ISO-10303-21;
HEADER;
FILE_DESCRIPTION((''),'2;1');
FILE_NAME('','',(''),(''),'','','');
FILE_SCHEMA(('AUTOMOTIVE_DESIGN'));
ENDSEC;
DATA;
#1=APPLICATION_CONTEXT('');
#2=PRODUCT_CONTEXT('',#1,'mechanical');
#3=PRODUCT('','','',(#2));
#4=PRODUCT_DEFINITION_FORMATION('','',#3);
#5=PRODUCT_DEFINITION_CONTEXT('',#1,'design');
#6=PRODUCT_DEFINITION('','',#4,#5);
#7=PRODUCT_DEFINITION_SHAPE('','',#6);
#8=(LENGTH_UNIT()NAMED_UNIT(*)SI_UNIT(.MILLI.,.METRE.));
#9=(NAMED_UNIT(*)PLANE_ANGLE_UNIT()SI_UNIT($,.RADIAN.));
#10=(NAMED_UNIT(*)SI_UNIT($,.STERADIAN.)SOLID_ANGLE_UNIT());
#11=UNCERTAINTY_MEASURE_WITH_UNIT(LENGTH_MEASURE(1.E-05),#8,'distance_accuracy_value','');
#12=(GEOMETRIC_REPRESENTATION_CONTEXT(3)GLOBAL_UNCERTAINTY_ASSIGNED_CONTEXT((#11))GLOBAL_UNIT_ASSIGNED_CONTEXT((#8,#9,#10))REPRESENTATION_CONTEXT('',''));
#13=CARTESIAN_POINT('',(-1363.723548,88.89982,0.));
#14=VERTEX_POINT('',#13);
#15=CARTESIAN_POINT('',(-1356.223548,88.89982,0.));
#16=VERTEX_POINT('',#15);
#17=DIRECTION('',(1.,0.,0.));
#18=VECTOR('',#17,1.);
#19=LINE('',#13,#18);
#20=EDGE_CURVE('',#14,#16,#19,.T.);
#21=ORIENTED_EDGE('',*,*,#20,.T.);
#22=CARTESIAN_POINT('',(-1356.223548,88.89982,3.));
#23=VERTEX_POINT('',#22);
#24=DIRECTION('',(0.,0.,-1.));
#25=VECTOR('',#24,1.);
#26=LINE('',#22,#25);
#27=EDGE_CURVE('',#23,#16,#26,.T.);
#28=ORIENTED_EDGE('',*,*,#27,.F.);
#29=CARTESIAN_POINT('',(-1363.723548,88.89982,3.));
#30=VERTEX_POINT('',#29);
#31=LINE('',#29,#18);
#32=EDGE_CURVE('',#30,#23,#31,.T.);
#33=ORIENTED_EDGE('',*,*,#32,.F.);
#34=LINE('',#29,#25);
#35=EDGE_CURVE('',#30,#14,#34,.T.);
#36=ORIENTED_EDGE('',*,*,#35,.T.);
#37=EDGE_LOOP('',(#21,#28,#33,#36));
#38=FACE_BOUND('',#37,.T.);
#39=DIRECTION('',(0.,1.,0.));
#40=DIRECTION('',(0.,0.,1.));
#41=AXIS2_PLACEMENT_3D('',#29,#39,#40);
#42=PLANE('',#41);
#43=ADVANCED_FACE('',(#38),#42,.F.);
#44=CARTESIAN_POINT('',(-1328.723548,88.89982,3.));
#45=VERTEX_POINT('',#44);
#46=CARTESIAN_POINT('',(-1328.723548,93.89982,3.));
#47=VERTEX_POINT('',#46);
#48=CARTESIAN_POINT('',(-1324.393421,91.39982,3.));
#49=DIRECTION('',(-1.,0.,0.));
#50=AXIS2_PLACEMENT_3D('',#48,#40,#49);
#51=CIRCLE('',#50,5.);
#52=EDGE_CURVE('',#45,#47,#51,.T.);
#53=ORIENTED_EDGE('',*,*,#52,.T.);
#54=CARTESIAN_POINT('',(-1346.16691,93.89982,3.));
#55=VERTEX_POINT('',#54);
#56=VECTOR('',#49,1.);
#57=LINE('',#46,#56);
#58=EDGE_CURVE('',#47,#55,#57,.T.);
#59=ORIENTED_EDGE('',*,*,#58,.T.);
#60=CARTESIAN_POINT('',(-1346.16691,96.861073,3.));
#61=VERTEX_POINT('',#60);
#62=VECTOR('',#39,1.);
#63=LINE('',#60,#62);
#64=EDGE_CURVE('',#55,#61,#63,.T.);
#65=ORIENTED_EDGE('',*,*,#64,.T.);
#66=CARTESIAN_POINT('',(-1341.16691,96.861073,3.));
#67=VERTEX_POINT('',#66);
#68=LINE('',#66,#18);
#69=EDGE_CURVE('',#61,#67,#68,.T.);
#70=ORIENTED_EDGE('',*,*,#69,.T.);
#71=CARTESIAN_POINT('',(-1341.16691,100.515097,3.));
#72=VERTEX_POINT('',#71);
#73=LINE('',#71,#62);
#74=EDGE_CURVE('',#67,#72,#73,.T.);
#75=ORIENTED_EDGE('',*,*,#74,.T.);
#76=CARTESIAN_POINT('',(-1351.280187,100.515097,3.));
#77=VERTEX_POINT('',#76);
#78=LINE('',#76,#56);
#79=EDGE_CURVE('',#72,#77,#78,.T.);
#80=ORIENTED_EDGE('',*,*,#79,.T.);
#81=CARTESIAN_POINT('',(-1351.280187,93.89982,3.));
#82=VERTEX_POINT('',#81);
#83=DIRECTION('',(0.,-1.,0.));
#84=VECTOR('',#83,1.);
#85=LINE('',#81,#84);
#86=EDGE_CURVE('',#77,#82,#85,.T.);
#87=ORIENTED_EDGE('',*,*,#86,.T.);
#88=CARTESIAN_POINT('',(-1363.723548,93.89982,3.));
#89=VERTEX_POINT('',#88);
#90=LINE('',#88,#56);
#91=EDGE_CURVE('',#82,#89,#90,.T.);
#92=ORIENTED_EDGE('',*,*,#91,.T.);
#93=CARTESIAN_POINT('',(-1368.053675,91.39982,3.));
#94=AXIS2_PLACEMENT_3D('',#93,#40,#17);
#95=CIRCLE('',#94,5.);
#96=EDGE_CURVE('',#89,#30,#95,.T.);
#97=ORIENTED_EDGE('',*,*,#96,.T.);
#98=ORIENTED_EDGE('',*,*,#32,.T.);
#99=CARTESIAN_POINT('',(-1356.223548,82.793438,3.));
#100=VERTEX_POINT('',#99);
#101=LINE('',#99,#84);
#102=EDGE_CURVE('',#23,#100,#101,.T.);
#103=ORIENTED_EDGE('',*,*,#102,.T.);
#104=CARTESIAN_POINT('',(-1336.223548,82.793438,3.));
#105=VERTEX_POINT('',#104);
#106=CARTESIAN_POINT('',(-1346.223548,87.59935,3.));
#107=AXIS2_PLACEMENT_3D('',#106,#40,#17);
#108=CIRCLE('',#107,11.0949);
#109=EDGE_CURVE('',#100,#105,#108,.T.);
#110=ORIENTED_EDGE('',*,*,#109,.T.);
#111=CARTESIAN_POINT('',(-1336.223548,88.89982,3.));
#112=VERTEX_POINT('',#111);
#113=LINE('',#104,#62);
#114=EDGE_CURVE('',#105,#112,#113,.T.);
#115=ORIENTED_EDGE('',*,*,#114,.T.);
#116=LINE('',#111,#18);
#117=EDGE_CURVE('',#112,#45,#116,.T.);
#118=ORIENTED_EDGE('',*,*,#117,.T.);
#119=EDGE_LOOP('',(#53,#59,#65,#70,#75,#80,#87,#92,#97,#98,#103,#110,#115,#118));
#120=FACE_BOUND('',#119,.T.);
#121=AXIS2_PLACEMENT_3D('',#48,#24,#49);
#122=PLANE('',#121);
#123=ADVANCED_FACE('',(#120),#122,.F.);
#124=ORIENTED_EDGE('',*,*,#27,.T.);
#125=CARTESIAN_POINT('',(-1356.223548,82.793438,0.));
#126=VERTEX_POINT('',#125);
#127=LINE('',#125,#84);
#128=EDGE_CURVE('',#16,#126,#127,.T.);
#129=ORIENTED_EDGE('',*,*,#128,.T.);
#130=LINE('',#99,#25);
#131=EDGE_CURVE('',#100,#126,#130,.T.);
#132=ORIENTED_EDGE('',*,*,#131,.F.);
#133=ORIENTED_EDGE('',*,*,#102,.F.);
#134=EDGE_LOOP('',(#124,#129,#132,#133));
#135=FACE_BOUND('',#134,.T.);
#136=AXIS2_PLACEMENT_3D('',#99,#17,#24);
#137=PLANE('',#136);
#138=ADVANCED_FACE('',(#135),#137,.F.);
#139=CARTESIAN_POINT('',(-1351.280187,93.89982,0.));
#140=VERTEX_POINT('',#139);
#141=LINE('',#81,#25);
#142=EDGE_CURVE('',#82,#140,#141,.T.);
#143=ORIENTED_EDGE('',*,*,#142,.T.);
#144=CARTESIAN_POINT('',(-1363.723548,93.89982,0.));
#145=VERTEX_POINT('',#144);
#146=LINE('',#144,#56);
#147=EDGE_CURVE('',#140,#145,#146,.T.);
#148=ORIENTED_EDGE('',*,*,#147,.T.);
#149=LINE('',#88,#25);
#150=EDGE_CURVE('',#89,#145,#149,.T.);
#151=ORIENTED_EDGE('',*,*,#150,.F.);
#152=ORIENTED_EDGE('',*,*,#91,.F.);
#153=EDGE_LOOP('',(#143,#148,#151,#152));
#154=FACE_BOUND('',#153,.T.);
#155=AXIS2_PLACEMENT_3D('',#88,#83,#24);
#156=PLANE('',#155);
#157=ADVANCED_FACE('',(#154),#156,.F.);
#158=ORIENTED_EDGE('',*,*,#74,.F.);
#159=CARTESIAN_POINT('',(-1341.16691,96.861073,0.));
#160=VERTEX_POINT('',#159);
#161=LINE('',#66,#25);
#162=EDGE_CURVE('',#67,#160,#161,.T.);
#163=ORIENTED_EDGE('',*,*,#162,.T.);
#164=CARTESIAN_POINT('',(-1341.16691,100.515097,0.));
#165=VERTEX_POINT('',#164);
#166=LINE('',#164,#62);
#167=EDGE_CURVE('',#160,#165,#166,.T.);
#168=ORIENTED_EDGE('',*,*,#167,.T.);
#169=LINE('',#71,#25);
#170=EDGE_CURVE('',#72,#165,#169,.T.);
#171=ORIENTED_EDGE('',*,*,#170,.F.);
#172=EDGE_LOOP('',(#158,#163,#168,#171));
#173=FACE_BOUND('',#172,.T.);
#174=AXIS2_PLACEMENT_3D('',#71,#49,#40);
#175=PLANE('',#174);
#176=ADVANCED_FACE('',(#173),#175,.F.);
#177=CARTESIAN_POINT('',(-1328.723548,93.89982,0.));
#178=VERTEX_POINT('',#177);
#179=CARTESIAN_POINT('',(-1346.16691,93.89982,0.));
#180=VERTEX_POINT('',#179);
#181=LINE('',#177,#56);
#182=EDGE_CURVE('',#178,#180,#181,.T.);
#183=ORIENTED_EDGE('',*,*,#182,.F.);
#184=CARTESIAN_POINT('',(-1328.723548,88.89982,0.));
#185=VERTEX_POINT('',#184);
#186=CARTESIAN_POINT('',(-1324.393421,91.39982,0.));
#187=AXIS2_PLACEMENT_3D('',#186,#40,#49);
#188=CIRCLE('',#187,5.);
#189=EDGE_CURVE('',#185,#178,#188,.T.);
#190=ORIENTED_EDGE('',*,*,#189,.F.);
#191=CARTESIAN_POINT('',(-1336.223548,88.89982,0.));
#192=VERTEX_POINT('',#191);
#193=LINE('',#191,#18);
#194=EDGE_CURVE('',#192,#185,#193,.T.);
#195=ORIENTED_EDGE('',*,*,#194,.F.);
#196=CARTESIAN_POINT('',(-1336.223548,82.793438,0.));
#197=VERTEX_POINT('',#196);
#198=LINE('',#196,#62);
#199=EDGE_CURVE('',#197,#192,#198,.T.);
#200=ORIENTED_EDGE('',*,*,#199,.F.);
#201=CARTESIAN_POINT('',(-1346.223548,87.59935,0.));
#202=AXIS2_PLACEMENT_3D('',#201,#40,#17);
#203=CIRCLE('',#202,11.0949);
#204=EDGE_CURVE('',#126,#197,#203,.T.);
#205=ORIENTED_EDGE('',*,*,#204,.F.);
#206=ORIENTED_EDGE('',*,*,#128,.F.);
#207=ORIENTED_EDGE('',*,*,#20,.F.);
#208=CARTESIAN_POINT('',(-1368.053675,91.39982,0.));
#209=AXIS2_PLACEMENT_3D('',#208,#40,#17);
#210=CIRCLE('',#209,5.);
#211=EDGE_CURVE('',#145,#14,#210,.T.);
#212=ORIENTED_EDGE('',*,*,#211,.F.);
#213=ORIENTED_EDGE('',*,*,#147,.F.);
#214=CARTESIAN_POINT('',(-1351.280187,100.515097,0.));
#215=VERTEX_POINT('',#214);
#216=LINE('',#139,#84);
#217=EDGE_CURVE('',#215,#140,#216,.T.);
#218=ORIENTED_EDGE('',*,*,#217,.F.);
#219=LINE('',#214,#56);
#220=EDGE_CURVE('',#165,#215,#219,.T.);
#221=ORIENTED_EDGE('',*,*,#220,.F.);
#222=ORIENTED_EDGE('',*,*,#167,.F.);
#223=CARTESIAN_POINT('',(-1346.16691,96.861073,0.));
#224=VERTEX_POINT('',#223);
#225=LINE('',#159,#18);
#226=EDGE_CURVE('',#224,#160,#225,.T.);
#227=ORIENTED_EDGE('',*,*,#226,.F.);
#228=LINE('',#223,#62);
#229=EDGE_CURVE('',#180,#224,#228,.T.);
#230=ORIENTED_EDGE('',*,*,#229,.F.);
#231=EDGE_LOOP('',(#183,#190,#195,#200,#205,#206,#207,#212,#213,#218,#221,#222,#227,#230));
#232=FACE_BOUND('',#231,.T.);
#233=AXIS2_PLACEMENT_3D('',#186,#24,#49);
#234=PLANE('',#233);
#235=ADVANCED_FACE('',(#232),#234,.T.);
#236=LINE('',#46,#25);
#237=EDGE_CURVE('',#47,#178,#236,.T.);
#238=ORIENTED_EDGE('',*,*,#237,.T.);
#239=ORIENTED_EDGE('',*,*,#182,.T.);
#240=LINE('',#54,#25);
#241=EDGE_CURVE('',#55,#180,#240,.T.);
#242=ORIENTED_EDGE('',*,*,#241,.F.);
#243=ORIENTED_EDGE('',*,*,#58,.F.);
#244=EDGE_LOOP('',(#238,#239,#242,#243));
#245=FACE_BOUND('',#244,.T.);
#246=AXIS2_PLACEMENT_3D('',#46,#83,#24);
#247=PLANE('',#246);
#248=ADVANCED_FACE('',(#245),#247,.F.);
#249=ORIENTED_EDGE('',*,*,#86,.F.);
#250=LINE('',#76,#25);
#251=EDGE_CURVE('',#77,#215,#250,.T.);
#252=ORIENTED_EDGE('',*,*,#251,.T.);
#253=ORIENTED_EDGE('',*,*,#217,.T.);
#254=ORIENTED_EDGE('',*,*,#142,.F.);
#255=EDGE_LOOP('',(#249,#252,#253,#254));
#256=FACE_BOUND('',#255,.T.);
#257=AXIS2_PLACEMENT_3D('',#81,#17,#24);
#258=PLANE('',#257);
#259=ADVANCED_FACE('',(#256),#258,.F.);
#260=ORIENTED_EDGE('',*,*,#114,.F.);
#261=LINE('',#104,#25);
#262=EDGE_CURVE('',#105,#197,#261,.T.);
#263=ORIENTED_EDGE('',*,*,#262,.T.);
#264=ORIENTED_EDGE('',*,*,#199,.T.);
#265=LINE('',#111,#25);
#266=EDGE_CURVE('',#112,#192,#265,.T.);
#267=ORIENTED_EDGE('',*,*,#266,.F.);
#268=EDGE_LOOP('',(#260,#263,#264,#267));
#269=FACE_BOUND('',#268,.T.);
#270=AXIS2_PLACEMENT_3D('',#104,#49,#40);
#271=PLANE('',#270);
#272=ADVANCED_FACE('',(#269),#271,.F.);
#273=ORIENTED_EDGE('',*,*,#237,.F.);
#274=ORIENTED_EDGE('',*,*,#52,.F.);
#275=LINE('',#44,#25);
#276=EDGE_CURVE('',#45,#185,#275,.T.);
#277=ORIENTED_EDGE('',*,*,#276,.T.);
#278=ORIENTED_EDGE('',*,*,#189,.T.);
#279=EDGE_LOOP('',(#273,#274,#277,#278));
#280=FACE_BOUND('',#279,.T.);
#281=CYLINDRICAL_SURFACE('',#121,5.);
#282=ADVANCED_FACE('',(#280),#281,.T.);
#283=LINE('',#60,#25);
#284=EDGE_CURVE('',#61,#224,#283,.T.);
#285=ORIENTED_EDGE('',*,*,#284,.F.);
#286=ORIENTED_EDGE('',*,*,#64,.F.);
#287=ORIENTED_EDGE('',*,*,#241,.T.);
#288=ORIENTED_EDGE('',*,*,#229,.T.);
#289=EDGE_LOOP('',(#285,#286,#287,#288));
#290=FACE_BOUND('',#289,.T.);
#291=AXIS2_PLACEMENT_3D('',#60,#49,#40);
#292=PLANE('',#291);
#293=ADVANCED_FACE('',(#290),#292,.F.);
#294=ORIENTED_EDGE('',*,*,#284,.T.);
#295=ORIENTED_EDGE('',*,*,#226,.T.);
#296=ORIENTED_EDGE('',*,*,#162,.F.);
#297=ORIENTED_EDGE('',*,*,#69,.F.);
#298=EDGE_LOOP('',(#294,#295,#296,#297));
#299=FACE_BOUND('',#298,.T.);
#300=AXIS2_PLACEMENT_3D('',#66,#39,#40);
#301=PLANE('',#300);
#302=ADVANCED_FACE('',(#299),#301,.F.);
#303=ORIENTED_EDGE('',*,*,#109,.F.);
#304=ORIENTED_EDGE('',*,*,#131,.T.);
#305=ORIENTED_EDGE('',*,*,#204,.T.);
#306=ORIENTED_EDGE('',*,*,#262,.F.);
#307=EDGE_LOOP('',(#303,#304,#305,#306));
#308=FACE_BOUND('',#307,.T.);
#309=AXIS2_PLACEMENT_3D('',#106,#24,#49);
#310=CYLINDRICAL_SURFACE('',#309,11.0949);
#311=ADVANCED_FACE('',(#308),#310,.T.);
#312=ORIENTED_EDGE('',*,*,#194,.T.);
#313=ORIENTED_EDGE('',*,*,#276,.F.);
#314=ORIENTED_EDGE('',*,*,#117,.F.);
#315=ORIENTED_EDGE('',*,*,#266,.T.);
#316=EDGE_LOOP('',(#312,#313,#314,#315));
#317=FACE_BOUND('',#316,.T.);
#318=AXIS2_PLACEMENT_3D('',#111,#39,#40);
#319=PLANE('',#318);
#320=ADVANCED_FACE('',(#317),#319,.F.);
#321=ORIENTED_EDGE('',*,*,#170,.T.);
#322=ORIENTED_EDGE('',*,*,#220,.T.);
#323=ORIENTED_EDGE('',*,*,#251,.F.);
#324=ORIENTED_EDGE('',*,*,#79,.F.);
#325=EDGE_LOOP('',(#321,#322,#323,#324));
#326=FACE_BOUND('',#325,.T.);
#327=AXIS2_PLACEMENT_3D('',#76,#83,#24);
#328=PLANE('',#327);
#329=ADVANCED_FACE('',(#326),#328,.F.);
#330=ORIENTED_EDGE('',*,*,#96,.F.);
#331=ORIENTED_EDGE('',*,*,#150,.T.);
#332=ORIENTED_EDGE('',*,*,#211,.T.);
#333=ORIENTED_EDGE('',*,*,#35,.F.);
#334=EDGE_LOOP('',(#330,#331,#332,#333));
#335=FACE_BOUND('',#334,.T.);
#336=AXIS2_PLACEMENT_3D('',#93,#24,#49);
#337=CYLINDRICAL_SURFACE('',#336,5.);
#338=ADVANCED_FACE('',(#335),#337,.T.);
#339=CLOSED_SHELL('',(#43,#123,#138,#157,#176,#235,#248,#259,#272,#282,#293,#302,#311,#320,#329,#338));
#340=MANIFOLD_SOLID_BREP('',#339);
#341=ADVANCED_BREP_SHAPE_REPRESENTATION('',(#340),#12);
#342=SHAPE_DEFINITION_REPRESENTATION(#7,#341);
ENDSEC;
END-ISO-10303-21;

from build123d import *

# Parameters (mm, degrees)
BASE_EXTRUDE_DEPTH = 3


with BuildPart() as part:
    # Sketch1 → Base-Extrude (new body)
    with BuildSketch(Plane.XY):
        with BuildLine():
            Line((-1351.280186532, 100.515097097), (-1341.166910128, 100.515097097))
            Line((-1341.166910128, 100.515097097), (-1341.166910128, 96.861073329))
            Line((-1341.166910128, 96.861073329), (-1346.166910128, 96.861073329))
            Line((-1346.166910128, 96.861073329), (-1346.166910128, 93.899820126))
            Line((-1346.166910128, 93.899820126), (-1328.72354833, 93.899820126))
            ThreePointArc((-1328.72354833, 93.899820126), (-1319.393421311, 91.399820126), (-1328.72354833, 88.899820126))
            Line((-1328.72354833, 88.899820126), (-1336.22354833, 88.899820126))
            Line((-1336.22354833, 88.899820126), (-1336.22354833, 82.793437515))
            ThreePointArc((-1336.22354833, 82.793437515), (-1346.22354833, 76.504450604), (-1356.22354833, 82.793437515))
            Line((-1356.22354833, 82.793437515), (-1356.22354833, 88.899820126))
            Line((-1356.22354833, 88.899820126), (-1363.72354833, 88.899820126))
            ThreePointArc((-1363.72354833, 88.899820126), (-1373.053675349, 91.399820126), (-1363.72354833, 93.899820126))
            Line((-1363.72354833, 93.899820126), (-1351.280186532, 93.899820126))
            Line((-1351.280186532, 93.899820126), (-1351.280186532, 100.515097097))
        make_face()
    extrude(amount=BASE_EXTRUDE_DEPTH)


solid = part.part
